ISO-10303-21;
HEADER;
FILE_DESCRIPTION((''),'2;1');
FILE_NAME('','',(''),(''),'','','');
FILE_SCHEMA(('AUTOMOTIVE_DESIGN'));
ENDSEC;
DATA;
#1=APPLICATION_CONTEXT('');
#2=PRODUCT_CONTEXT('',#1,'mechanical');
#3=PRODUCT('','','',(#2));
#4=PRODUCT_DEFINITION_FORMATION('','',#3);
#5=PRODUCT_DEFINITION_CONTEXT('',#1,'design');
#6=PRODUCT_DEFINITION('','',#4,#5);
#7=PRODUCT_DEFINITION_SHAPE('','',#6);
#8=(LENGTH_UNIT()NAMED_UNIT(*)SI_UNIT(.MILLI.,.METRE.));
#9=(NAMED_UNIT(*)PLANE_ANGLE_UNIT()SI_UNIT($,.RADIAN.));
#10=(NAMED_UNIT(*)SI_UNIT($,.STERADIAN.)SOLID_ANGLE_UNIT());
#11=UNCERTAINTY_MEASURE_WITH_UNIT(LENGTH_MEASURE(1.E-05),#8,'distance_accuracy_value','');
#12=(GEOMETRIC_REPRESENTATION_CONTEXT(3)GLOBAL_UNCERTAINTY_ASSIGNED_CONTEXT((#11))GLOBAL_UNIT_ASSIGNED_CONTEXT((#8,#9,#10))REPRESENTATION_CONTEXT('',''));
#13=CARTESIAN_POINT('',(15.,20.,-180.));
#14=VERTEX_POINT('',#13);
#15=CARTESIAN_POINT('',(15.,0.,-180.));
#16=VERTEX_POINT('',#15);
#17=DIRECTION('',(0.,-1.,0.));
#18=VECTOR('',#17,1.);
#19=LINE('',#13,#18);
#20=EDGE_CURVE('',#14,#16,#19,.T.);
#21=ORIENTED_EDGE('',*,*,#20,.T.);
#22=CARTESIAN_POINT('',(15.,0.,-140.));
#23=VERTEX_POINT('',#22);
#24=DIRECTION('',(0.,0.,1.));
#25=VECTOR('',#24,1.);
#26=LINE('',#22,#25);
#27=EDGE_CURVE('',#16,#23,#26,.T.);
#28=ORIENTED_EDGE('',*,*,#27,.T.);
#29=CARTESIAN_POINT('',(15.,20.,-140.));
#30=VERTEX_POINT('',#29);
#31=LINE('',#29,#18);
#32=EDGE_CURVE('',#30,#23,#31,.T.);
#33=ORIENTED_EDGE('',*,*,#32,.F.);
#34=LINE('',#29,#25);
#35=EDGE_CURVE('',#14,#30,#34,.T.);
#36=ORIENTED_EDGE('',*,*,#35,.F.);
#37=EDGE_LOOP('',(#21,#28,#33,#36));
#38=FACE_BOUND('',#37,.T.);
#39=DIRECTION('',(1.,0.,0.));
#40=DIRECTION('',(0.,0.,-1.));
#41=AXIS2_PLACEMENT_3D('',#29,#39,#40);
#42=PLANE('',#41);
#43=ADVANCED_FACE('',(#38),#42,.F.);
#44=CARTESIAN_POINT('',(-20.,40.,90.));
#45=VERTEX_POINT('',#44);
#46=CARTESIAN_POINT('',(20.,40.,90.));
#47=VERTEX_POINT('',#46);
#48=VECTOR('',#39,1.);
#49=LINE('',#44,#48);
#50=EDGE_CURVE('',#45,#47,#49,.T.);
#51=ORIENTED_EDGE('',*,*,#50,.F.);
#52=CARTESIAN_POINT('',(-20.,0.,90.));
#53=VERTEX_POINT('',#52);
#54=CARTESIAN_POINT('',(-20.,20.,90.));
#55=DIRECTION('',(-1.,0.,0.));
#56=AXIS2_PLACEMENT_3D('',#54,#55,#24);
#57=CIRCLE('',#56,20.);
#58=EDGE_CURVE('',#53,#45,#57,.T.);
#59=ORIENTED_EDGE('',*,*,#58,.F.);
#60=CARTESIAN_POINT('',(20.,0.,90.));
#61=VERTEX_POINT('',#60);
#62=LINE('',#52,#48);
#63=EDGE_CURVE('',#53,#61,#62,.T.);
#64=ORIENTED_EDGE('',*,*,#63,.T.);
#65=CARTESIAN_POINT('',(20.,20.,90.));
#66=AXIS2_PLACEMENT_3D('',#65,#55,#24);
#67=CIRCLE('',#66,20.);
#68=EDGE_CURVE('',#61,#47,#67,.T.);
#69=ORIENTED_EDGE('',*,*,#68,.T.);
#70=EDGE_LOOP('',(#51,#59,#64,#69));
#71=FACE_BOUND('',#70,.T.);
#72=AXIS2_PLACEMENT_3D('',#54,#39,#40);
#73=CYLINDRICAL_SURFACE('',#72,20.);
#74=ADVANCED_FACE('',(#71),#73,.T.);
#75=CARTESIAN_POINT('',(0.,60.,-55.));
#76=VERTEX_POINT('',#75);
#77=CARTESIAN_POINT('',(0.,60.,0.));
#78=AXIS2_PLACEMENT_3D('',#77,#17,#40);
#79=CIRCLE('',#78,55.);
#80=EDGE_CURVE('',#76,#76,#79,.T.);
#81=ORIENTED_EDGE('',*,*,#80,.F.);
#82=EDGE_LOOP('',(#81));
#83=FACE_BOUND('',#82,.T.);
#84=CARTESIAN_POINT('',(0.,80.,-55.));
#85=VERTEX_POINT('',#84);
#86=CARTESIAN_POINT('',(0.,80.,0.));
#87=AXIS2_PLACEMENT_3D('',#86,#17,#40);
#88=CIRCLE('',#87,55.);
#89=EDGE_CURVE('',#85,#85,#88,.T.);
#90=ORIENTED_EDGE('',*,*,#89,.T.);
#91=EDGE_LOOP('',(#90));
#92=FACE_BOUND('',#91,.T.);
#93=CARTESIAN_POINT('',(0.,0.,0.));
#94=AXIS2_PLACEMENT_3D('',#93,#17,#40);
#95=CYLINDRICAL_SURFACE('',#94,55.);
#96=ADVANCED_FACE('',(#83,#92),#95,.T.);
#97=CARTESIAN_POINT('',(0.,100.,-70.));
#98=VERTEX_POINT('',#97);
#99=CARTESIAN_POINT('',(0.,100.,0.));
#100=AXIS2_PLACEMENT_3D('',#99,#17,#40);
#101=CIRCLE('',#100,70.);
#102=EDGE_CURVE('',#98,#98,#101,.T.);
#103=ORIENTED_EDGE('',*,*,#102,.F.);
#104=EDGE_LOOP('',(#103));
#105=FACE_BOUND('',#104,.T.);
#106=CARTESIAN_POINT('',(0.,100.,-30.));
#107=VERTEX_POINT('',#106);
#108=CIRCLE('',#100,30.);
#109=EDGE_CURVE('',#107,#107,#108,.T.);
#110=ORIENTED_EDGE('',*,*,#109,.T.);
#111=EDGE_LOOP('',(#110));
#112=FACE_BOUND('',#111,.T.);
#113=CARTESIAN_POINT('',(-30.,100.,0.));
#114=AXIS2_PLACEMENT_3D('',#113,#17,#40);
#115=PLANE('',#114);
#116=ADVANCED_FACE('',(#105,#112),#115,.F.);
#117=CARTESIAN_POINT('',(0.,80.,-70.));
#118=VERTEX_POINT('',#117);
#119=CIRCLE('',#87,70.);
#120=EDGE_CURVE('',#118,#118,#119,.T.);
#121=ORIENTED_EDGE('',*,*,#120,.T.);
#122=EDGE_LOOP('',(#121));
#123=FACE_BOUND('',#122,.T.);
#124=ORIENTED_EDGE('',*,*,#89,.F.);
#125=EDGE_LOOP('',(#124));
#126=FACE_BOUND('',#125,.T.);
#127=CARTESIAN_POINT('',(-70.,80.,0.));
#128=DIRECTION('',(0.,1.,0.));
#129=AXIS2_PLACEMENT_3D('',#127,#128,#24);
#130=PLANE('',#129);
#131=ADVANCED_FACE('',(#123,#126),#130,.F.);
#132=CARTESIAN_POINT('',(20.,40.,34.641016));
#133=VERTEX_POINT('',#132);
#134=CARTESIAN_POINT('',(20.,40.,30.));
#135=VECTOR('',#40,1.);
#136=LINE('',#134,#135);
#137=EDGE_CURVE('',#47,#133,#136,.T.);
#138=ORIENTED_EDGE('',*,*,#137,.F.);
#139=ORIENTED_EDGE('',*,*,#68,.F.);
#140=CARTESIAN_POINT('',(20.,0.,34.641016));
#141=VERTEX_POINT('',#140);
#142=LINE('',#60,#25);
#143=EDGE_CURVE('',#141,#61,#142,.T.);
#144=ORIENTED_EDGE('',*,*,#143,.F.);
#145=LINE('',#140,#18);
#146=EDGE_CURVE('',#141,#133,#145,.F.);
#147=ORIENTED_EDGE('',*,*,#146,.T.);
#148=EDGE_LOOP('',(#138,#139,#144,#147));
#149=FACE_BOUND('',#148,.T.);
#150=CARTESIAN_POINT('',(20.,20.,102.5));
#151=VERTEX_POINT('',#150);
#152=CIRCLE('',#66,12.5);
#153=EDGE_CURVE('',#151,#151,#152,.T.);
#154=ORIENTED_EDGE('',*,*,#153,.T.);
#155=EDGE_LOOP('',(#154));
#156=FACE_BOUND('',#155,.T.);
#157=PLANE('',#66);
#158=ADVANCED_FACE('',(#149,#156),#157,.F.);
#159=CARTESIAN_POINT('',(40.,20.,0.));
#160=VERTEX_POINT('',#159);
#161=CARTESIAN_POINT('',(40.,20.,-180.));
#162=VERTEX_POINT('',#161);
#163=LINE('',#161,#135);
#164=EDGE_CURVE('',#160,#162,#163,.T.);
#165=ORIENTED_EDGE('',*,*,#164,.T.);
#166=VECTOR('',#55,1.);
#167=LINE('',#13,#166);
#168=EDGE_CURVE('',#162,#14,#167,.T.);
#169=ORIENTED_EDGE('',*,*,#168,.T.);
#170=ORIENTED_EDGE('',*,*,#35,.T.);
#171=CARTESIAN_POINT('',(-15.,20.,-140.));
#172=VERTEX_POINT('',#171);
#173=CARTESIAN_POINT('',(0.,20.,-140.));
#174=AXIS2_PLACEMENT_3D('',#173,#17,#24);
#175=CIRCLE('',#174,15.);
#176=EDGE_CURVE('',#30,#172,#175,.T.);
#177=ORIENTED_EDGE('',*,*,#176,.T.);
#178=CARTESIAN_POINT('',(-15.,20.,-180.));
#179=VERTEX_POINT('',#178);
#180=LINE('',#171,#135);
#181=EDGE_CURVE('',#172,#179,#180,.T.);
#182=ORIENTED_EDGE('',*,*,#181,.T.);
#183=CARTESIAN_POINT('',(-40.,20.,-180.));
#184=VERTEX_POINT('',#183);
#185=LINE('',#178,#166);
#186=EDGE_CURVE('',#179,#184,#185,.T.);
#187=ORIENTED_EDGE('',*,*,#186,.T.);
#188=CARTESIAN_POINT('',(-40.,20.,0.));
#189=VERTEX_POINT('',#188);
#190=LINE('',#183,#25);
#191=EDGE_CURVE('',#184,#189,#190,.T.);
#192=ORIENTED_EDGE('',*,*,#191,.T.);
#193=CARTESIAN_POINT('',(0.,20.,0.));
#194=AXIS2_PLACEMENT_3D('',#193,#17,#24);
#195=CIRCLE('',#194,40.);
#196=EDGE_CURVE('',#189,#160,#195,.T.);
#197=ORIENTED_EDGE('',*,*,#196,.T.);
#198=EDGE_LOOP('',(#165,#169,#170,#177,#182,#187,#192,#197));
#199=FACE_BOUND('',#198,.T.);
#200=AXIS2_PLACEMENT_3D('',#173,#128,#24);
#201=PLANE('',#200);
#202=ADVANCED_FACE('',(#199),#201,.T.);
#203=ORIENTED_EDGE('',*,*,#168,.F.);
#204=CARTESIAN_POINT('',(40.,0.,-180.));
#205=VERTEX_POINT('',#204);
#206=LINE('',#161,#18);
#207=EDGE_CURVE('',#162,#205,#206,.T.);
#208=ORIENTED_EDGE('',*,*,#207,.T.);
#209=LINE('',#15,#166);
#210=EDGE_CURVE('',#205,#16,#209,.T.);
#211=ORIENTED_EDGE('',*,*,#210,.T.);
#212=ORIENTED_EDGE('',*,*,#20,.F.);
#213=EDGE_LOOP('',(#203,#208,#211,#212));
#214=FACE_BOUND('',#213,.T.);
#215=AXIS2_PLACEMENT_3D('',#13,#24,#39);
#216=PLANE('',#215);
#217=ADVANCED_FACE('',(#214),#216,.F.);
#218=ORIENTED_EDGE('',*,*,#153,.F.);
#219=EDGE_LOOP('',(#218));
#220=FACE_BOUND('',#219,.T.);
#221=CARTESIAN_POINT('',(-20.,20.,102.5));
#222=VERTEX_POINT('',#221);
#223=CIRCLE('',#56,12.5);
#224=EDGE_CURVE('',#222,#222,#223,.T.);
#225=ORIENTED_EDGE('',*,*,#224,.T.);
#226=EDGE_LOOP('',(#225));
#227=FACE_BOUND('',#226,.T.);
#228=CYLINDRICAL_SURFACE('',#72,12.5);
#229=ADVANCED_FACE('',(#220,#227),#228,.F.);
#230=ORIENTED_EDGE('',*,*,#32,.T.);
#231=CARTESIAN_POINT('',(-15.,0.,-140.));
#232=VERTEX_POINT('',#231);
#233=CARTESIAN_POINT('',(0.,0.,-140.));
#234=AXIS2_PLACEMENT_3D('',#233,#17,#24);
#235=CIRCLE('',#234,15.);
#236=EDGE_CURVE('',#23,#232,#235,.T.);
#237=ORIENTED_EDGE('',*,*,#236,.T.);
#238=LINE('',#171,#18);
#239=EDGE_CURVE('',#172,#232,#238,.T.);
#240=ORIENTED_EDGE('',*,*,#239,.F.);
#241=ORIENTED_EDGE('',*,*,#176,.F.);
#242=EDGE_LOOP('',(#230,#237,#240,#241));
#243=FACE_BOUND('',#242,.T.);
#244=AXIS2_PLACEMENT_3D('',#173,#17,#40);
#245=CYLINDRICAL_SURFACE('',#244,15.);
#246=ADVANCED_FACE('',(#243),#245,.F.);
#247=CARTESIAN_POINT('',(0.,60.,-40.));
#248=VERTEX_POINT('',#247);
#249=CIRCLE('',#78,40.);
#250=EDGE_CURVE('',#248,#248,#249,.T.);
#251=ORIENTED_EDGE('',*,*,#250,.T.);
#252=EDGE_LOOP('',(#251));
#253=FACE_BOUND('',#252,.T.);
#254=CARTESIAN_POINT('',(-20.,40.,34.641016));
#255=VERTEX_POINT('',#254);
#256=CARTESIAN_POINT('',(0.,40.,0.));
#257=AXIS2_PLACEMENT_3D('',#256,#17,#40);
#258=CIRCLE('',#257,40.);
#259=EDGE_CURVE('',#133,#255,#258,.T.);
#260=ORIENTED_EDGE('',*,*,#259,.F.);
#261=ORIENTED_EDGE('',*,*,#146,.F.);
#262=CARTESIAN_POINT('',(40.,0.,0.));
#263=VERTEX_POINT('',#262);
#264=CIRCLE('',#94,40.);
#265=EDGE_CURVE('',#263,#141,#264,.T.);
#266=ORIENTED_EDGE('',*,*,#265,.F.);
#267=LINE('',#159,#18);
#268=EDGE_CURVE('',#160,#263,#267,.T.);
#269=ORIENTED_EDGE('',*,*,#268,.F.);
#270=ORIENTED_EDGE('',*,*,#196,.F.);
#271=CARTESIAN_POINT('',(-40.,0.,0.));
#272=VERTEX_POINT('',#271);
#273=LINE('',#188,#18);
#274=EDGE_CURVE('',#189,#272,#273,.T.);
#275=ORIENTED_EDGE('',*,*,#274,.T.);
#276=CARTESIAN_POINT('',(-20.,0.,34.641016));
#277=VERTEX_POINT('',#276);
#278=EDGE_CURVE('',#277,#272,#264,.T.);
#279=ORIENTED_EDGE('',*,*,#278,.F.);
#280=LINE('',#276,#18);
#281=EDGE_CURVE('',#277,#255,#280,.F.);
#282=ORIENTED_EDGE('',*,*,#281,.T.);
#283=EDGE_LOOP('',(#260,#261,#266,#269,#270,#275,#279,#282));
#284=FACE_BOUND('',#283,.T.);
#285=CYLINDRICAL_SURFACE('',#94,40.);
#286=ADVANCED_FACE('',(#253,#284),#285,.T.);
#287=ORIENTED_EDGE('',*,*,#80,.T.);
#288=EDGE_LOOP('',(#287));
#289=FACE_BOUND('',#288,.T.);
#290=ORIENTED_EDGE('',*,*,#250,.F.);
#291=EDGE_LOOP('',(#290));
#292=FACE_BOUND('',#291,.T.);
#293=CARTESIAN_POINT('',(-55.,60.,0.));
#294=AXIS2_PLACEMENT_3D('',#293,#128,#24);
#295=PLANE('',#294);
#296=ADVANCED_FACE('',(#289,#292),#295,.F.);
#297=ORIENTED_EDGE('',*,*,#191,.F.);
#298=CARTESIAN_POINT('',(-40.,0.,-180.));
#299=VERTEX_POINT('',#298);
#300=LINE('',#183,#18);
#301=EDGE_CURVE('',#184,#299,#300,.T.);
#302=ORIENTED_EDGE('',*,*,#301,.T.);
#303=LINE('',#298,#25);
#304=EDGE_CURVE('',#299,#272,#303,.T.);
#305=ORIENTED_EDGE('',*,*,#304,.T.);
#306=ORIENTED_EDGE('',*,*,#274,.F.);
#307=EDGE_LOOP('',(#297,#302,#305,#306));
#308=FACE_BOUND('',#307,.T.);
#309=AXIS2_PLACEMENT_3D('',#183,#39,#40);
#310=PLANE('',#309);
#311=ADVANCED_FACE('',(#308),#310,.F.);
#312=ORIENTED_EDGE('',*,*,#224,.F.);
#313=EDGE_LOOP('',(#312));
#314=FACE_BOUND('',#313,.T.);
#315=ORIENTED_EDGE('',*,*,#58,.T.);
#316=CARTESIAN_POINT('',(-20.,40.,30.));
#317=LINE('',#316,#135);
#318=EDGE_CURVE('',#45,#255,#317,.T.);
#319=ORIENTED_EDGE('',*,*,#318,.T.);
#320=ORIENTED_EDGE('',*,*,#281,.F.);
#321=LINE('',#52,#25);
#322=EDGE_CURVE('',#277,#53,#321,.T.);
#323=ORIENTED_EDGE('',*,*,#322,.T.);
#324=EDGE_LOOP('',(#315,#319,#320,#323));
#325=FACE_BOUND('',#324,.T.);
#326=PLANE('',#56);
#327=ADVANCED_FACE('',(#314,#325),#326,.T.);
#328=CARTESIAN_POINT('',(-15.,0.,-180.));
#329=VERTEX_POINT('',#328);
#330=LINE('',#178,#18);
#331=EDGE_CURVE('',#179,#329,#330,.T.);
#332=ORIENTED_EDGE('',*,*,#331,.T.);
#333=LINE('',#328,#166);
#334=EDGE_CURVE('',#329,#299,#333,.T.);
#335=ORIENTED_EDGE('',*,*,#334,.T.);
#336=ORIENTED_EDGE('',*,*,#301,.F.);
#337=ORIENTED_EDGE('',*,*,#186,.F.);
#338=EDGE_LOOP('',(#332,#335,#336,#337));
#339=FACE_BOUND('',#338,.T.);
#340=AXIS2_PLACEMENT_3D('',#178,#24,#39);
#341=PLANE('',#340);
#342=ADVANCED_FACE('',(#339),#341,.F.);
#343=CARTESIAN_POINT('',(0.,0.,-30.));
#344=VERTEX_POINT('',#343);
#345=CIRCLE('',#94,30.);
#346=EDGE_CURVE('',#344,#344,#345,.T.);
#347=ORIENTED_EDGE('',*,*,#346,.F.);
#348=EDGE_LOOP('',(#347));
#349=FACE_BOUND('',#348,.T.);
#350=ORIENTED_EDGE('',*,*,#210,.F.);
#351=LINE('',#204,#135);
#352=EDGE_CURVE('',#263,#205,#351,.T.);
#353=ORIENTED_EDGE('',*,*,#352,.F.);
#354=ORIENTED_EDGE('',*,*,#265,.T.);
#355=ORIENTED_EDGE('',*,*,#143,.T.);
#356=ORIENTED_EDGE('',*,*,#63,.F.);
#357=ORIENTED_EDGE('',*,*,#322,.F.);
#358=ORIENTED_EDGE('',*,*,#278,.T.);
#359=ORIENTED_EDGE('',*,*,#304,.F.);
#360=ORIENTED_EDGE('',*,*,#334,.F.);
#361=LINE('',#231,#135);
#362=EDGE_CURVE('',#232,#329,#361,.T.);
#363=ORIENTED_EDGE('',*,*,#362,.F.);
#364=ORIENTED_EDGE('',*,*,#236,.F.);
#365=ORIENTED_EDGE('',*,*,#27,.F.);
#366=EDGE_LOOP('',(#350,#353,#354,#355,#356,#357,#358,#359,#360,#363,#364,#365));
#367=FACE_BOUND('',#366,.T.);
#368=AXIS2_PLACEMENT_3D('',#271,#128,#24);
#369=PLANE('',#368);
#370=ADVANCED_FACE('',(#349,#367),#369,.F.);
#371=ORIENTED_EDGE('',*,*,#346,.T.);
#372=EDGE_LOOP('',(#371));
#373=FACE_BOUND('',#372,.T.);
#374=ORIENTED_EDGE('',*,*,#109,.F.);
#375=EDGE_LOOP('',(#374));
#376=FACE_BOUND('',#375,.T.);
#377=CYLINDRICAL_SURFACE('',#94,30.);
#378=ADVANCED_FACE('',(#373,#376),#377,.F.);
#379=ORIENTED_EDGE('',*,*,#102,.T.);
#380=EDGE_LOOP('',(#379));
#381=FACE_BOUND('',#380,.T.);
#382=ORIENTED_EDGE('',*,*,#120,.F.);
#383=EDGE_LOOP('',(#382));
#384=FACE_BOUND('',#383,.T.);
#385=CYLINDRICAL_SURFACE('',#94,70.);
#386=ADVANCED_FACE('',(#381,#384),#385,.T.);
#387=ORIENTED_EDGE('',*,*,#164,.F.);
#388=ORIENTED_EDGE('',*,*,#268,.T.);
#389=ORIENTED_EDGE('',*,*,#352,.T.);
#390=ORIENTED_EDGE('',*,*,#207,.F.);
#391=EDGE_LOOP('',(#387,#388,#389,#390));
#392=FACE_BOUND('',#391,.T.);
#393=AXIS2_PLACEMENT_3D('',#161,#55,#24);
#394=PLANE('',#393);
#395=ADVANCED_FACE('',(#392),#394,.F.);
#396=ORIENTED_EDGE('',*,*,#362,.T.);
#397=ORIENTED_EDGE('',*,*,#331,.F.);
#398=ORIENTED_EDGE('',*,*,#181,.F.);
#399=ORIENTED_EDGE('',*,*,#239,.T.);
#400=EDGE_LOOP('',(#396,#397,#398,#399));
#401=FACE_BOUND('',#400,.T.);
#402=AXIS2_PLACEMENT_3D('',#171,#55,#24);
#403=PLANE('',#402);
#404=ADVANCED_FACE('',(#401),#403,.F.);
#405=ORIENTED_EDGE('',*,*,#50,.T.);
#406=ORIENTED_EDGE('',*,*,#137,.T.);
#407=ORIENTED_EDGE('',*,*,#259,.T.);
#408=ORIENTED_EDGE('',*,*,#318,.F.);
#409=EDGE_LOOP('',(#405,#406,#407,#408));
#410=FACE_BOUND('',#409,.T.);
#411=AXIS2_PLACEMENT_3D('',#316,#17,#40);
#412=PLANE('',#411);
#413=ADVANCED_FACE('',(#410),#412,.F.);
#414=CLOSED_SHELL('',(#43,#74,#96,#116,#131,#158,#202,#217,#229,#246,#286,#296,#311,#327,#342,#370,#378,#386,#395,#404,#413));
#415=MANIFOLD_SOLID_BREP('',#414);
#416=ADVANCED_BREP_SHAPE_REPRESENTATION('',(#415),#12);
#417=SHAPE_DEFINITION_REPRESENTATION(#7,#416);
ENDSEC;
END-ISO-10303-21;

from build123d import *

# Parameters (mm, degrees)
BOSS_EXTRUDE1_DEPTH = 20
SKETCH3_R           = 12.5
BOSS_EXTRUDE2_DEPTH = 20


with BuildPart() as part:
    # Sketch2 → Revolve1 (revolve)
    with BuildSketch(Plane.XY, mode=Mode.PRIVATE) as revolve1_sk:
        Polygon((-30, 0), (-30, 100), (-70, 100), (-70, 80), (-55, 80), (-55, 60), (-40, 60), (-40, 0), align=None)
    revolve(revolve1_sk.sketch.rotate(Axis((0, 0, 0), (0, 1, 0)), 270), axis=Axis((0, 0, 0), (0, 1, 0)))

    # Sketch4 → Boss-Extrude1 (add)
    with BuildSketch(Plane(origin=(0, 0, 0), x_dir=(1, 0, 0), z_dir=(0, 1, 0))):
        with BuildLine():
            Line((-15, 140), (-15, 180))
            Line((-15, 180), (-40, 180))
            Line((-40, 180), (-40, 0))
            ThreePointArc((-40, 0), (0, 40), (40, 0))
            Line((40, 0), (40, 180))
            Line((40, 180), (15, 180))
            Line((15, 180), (15, 140))
            ThreePointArc((15, 140), (0, 125), (-15, 140))
        make_face()
    extrude(amount=BOSS_EXTRUDE1_DEPTH)

    # Sketch3 → Boss-Extrude2 (add, symmetric)
    with BuildSketch(Plane.ZY):
        with BuildLine():
            Line((30, 0), (30, 40))
            Line((30, 40), (90, 40))
            ThreePointArc((90, 40), (110, 20), (90, 0))
            Line((90, 0), (30, 0))
        make_face()
        with Locations((90, 20)):
            Circle(SKETCH3_R, mode=Mode.SUBTRACT)
    extrude(amount=BOSS_EXTRUDE2_DEPTH, both=True)


solid = part.part
